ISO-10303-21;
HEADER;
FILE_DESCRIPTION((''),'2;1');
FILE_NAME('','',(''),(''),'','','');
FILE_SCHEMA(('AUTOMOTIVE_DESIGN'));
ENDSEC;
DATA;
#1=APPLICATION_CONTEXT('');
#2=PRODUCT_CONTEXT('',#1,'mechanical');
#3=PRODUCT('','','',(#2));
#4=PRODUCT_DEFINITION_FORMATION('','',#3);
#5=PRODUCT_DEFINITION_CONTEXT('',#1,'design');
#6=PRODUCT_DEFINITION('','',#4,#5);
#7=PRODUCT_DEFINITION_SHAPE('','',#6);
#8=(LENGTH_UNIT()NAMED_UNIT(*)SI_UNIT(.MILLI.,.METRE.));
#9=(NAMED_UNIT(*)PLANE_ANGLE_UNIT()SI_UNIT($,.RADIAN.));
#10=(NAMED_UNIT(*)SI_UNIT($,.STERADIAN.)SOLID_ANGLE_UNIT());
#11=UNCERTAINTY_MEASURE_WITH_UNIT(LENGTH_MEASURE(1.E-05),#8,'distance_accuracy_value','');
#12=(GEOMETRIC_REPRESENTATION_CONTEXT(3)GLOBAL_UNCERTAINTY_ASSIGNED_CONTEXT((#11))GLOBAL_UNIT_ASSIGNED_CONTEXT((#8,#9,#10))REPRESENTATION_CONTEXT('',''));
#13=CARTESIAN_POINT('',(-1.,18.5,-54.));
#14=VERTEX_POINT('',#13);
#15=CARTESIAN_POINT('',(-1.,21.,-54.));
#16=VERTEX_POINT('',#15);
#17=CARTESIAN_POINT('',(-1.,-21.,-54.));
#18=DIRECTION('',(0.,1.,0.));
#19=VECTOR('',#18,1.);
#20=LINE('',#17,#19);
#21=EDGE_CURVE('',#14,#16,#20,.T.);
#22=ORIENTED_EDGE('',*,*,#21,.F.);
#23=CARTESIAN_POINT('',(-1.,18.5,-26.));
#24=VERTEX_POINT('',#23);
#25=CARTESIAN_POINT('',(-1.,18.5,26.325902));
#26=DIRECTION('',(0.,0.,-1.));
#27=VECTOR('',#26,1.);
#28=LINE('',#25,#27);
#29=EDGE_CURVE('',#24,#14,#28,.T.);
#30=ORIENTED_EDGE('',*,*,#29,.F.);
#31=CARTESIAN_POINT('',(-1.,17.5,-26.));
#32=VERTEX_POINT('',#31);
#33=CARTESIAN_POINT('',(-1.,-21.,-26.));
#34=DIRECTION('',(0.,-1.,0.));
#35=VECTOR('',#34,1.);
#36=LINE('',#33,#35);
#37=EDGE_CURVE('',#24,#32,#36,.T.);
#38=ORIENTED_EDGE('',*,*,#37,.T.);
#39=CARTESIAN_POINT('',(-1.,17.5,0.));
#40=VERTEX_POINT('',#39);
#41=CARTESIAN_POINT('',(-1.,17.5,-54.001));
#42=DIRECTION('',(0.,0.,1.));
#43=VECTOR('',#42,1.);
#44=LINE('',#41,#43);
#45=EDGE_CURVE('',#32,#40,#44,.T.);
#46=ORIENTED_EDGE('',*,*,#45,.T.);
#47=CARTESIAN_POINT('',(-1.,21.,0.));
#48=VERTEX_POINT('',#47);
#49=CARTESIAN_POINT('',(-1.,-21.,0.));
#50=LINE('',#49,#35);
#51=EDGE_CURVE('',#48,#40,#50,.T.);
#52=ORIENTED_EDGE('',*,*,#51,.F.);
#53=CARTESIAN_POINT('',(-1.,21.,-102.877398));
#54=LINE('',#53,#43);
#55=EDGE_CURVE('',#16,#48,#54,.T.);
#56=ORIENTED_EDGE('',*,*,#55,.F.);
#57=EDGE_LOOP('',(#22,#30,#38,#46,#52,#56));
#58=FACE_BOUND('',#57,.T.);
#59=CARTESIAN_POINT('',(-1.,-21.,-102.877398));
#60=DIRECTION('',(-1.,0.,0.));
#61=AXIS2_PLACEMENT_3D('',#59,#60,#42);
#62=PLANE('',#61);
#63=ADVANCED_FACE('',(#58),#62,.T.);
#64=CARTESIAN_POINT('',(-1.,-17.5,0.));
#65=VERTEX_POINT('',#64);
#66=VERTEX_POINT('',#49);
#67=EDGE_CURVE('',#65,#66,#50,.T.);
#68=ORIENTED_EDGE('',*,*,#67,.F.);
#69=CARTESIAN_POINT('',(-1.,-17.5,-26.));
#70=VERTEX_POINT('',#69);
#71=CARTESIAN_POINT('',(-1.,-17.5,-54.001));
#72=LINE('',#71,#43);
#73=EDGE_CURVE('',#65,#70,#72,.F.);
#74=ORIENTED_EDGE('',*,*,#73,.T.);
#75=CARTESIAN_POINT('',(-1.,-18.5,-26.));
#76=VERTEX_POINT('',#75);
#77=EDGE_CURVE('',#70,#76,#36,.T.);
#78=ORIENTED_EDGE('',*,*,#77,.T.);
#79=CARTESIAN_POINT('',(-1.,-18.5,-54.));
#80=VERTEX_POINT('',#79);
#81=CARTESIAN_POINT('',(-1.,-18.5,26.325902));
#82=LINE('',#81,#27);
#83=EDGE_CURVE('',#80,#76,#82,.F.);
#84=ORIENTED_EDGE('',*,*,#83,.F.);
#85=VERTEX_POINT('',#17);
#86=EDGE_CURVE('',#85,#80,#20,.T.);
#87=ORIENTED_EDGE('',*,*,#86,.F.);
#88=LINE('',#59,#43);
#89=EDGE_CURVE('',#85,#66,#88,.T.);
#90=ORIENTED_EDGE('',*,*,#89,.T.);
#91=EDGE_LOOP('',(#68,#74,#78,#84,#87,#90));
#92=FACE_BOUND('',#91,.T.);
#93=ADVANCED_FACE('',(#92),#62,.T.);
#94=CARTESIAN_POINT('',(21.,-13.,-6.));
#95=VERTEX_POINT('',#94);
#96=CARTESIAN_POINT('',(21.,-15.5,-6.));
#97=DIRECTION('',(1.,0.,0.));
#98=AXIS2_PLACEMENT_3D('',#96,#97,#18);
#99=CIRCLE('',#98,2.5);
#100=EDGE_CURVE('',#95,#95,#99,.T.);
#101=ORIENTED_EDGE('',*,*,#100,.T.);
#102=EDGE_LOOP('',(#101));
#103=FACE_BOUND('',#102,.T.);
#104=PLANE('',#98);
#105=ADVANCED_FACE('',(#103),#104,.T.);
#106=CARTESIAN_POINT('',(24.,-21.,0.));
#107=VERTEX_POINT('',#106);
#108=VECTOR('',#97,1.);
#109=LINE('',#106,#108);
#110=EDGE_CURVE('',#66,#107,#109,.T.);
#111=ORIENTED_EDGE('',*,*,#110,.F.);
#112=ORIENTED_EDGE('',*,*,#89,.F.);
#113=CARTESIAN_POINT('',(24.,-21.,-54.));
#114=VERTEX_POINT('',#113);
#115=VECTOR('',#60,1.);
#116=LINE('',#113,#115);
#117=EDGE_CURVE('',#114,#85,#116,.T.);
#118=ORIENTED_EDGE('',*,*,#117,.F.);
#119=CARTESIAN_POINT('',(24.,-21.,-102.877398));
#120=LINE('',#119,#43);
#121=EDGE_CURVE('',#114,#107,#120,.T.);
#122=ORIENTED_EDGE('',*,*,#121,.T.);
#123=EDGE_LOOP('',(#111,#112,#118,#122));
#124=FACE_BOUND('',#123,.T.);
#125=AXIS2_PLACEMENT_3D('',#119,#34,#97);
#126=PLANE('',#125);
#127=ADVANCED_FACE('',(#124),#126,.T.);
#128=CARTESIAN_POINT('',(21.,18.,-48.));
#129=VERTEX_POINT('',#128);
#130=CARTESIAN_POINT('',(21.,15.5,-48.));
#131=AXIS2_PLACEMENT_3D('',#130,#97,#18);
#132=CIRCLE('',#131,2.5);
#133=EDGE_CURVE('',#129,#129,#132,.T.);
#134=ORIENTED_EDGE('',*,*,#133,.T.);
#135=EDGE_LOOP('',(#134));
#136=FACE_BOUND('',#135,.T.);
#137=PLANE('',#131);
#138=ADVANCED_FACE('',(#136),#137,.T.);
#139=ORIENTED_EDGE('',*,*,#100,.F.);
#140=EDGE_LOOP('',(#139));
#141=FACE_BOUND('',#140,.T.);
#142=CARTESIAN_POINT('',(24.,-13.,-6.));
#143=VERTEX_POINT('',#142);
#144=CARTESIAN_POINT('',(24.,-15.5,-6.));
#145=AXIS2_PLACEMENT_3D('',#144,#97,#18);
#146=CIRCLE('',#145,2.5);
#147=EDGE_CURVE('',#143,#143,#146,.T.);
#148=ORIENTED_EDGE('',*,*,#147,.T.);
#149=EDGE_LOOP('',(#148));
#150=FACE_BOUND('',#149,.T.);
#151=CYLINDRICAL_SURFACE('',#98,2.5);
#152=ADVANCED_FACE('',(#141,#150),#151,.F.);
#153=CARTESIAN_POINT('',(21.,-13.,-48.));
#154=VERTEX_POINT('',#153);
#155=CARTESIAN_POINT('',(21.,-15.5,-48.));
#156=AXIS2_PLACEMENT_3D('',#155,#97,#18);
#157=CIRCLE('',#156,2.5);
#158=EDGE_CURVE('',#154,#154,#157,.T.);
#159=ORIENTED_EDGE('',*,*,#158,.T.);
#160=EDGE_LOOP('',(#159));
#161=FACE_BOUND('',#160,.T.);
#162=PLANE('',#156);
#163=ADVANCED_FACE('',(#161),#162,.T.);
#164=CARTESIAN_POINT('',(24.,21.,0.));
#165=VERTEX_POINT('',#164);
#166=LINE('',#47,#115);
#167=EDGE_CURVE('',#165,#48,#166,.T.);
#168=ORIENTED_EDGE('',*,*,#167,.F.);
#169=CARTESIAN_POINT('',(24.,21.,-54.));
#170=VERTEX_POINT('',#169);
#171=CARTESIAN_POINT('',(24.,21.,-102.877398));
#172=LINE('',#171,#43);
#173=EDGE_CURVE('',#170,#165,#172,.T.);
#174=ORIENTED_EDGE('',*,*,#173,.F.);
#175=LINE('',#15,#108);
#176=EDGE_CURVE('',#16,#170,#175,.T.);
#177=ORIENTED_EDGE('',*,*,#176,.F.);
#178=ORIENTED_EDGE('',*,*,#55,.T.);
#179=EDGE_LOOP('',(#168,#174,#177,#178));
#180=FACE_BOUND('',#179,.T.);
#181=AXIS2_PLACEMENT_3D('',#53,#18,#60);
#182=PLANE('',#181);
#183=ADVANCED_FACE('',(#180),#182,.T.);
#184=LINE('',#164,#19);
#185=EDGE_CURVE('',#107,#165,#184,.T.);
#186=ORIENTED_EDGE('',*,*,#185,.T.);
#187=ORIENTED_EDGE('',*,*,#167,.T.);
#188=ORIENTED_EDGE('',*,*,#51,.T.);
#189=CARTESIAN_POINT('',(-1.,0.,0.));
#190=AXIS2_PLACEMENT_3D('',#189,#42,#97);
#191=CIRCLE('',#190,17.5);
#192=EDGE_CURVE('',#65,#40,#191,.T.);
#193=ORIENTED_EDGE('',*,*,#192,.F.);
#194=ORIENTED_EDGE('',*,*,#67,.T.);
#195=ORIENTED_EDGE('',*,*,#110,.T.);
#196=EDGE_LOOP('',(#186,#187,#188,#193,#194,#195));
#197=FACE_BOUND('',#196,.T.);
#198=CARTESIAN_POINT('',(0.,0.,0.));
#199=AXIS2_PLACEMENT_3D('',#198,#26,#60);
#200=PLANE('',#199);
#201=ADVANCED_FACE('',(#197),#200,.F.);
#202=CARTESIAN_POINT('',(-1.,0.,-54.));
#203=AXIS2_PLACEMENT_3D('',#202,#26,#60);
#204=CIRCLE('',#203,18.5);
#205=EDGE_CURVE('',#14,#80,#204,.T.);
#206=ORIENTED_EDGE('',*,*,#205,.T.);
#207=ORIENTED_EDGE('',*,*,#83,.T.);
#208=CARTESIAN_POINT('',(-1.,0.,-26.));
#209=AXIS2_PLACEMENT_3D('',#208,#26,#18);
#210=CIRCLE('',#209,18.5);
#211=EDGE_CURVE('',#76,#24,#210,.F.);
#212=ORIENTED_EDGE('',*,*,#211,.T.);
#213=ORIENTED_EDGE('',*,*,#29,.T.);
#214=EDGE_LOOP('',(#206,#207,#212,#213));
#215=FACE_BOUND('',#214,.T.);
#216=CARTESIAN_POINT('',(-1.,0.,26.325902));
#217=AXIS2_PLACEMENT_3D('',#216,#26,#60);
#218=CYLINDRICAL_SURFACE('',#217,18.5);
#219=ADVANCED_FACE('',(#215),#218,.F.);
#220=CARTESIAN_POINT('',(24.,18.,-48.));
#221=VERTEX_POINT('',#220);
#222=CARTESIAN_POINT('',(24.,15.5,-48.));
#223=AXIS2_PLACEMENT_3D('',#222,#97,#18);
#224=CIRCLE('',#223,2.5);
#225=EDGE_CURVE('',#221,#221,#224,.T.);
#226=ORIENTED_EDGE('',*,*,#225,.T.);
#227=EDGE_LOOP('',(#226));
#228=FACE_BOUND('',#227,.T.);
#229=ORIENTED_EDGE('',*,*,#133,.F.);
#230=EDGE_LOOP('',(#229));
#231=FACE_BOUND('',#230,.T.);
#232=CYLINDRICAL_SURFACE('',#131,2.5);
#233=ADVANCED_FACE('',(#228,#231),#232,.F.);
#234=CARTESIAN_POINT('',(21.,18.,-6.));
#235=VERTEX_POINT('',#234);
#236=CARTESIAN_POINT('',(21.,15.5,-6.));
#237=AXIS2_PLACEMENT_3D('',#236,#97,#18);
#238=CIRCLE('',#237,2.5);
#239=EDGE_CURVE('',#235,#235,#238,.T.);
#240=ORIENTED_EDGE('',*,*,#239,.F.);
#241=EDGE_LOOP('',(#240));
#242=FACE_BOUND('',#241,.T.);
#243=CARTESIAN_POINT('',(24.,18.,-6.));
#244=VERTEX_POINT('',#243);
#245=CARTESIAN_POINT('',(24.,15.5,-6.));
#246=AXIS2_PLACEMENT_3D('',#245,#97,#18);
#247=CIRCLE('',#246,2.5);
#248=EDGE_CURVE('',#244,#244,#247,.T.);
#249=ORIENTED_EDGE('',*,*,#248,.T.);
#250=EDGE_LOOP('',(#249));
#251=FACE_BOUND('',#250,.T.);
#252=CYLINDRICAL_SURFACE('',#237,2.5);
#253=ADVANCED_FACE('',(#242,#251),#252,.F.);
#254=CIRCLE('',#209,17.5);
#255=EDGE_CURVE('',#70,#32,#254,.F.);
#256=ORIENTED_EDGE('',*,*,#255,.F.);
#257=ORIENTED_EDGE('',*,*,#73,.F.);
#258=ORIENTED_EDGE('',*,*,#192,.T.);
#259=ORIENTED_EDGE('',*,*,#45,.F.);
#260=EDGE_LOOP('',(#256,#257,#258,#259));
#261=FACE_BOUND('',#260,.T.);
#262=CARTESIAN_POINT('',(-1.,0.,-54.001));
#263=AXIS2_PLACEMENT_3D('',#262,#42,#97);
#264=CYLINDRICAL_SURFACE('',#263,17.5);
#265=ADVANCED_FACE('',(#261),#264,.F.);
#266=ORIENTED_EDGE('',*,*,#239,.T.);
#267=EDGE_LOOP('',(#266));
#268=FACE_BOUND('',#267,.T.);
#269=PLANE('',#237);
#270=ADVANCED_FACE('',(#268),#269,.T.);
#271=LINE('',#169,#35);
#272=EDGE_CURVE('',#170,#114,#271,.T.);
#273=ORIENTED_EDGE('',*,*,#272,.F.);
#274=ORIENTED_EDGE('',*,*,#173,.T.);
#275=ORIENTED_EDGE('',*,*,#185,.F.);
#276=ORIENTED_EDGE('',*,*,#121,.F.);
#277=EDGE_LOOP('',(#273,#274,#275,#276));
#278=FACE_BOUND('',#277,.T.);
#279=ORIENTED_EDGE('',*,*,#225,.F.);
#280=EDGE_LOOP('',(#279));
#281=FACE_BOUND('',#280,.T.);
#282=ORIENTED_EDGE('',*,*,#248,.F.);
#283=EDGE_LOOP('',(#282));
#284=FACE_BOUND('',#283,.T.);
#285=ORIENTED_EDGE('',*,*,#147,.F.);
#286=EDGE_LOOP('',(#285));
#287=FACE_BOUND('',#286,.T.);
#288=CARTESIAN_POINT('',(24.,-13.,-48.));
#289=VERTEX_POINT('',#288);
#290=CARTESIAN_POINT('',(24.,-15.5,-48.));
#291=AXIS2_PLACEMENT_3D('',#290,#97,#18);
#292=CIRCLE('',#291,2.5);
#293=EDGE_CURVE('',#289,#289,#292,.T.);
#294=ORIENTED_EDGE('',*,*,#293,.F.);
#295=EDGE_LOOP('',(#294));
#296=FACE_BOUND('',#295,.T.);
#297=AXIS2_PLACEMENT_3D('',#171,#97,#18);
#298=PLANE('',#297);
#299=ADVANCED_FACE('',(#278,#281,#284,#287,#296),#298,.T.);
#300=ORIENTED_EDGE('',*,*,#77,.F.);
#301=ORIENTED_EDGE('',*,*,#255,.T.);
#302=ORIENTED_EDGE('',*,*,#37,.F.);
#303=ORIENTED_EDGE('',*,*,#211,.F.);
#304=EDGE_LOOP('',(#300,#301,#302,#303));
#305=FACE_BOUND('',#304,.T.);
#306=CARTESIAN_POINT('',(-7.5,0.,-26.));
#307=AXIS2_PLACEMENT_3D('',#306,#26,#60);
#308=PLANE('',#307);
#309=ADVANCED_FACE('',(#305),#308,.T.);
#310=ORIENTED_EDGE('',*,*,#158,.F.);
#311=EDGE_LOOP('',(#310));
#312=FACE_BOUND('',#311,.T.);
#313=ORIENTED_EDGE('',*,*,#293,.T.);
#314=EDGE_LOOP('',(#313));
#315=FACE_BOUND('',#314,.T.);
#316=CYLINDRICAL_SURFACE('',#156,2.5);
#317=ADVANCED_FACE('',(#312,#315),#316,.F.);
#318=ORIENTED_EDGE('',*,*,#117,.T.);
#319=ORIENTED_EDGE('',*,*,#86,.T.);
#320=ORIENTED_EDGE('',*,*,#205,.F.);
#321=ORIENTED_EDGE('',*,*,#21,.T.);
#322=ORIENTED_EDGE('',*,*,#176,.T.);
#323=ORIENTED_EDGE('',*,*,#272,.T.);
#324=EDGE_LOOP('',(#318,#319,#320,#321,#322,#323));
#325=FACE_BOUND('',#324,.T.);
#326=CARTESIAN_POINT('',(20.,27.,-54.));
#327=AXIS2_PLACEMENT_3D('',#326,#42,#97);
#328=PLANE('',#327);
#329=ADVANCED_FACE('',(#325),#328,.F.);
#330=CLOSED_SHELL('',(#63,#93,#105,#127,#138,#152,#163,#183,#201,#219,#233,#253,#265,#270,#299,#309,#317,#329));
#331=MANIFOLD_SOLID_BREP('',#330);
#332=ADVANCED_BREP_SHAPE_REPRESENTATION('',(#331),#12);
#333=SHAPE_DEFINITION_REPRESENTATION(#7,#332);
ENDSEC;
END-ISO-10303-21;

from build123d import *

# Parameters (mm, degrees)
SKETCH1_W           = 25
SKETCH1_H           = 42
BOSS_EXTRUDE1_DEPTH = 54
CUT_EXTRUDE1_START  = -28
SKETCH2_R           = 18.5
CUT_EXTRUDE1_DEPTH  = 28
CUT_EXTRUDE2_REACH  = 64.714
SKETCH3_R           = 17.5
SKETCH4_R           = 2.5
CUT_EXTRUDE3_DEPTH  = 3


with BuildPart() as part:
    # Sketch1 → Boss-Extrude1 (new body)
    with BuildSketch(Plane.XY):
        with Locations((11.5, 0)):
            Rectangle(SKETCH1_W, SKETCH1_H)
    extrude(amount=-BOSS_EXTRUDE1_DEPTH)

    # Sketch2 → Cut-Extrude1 (cut)
    with BuildSketch(Plane(origin=(0, 0, -54), x_dir=(-1, 0, 0), z_dir=(0, 0, -1)).offset(CUT_EXTRUDE1_START)):
        with Locations((1, 0)):
            Circle(SKETCH2_R)
    extrude(amount=CUT_EXTRUDE1_DEPTH, mode=Mode.SUBTRACT)

    # Sketch3 → Cut-Extrude2 (cut, up to next)
    with BuildSketch(Plane.XY, mode=Mode.PRIVATE) as cut_extrude2_sk1:
        with Locations((-1, 0)):
            Circle(SKETCH3_R)
    cut_extrude2_tool1 = extrude(cut_extrude2_sk1.sketch, amount=-CUT_EXTRUDE2_REACH, mode=Mode.PRIVATE) & part.part
    add(cut_extrude2_tool1.solids().sort_by_distance((-1, 0, 0))[0], mode=Mode.SUBTRACT)

    # Sketch4 → Cut-Extrude3 (cut)
    with BuildSketch(Plane(origin=(24, 0, 0), x_dir=(0, 0, -1), z_dir=(1, 0, 0))):
        with Locations(Location((6, 15.5, 0), (0, 0, 90))):
            Circle(SKETCH4_R)
        with Locations(Location((48, 15.5, 0), (0, 0, 90))):
            Circle(SKETCH4_R)
        with Locations(Location((6, -15.5, 0), (0, 0, 90))):
            Circle(SKETCH4_R)
        with Locations(Location((48, -15.5, 0), (0, 0, 90))):
            Circle(SKETCH4_R)
    extrude(amount=-CUT_EXTRUDE3_DEPTH, mode=Mode.SUBTRACT)


solid = part.part
